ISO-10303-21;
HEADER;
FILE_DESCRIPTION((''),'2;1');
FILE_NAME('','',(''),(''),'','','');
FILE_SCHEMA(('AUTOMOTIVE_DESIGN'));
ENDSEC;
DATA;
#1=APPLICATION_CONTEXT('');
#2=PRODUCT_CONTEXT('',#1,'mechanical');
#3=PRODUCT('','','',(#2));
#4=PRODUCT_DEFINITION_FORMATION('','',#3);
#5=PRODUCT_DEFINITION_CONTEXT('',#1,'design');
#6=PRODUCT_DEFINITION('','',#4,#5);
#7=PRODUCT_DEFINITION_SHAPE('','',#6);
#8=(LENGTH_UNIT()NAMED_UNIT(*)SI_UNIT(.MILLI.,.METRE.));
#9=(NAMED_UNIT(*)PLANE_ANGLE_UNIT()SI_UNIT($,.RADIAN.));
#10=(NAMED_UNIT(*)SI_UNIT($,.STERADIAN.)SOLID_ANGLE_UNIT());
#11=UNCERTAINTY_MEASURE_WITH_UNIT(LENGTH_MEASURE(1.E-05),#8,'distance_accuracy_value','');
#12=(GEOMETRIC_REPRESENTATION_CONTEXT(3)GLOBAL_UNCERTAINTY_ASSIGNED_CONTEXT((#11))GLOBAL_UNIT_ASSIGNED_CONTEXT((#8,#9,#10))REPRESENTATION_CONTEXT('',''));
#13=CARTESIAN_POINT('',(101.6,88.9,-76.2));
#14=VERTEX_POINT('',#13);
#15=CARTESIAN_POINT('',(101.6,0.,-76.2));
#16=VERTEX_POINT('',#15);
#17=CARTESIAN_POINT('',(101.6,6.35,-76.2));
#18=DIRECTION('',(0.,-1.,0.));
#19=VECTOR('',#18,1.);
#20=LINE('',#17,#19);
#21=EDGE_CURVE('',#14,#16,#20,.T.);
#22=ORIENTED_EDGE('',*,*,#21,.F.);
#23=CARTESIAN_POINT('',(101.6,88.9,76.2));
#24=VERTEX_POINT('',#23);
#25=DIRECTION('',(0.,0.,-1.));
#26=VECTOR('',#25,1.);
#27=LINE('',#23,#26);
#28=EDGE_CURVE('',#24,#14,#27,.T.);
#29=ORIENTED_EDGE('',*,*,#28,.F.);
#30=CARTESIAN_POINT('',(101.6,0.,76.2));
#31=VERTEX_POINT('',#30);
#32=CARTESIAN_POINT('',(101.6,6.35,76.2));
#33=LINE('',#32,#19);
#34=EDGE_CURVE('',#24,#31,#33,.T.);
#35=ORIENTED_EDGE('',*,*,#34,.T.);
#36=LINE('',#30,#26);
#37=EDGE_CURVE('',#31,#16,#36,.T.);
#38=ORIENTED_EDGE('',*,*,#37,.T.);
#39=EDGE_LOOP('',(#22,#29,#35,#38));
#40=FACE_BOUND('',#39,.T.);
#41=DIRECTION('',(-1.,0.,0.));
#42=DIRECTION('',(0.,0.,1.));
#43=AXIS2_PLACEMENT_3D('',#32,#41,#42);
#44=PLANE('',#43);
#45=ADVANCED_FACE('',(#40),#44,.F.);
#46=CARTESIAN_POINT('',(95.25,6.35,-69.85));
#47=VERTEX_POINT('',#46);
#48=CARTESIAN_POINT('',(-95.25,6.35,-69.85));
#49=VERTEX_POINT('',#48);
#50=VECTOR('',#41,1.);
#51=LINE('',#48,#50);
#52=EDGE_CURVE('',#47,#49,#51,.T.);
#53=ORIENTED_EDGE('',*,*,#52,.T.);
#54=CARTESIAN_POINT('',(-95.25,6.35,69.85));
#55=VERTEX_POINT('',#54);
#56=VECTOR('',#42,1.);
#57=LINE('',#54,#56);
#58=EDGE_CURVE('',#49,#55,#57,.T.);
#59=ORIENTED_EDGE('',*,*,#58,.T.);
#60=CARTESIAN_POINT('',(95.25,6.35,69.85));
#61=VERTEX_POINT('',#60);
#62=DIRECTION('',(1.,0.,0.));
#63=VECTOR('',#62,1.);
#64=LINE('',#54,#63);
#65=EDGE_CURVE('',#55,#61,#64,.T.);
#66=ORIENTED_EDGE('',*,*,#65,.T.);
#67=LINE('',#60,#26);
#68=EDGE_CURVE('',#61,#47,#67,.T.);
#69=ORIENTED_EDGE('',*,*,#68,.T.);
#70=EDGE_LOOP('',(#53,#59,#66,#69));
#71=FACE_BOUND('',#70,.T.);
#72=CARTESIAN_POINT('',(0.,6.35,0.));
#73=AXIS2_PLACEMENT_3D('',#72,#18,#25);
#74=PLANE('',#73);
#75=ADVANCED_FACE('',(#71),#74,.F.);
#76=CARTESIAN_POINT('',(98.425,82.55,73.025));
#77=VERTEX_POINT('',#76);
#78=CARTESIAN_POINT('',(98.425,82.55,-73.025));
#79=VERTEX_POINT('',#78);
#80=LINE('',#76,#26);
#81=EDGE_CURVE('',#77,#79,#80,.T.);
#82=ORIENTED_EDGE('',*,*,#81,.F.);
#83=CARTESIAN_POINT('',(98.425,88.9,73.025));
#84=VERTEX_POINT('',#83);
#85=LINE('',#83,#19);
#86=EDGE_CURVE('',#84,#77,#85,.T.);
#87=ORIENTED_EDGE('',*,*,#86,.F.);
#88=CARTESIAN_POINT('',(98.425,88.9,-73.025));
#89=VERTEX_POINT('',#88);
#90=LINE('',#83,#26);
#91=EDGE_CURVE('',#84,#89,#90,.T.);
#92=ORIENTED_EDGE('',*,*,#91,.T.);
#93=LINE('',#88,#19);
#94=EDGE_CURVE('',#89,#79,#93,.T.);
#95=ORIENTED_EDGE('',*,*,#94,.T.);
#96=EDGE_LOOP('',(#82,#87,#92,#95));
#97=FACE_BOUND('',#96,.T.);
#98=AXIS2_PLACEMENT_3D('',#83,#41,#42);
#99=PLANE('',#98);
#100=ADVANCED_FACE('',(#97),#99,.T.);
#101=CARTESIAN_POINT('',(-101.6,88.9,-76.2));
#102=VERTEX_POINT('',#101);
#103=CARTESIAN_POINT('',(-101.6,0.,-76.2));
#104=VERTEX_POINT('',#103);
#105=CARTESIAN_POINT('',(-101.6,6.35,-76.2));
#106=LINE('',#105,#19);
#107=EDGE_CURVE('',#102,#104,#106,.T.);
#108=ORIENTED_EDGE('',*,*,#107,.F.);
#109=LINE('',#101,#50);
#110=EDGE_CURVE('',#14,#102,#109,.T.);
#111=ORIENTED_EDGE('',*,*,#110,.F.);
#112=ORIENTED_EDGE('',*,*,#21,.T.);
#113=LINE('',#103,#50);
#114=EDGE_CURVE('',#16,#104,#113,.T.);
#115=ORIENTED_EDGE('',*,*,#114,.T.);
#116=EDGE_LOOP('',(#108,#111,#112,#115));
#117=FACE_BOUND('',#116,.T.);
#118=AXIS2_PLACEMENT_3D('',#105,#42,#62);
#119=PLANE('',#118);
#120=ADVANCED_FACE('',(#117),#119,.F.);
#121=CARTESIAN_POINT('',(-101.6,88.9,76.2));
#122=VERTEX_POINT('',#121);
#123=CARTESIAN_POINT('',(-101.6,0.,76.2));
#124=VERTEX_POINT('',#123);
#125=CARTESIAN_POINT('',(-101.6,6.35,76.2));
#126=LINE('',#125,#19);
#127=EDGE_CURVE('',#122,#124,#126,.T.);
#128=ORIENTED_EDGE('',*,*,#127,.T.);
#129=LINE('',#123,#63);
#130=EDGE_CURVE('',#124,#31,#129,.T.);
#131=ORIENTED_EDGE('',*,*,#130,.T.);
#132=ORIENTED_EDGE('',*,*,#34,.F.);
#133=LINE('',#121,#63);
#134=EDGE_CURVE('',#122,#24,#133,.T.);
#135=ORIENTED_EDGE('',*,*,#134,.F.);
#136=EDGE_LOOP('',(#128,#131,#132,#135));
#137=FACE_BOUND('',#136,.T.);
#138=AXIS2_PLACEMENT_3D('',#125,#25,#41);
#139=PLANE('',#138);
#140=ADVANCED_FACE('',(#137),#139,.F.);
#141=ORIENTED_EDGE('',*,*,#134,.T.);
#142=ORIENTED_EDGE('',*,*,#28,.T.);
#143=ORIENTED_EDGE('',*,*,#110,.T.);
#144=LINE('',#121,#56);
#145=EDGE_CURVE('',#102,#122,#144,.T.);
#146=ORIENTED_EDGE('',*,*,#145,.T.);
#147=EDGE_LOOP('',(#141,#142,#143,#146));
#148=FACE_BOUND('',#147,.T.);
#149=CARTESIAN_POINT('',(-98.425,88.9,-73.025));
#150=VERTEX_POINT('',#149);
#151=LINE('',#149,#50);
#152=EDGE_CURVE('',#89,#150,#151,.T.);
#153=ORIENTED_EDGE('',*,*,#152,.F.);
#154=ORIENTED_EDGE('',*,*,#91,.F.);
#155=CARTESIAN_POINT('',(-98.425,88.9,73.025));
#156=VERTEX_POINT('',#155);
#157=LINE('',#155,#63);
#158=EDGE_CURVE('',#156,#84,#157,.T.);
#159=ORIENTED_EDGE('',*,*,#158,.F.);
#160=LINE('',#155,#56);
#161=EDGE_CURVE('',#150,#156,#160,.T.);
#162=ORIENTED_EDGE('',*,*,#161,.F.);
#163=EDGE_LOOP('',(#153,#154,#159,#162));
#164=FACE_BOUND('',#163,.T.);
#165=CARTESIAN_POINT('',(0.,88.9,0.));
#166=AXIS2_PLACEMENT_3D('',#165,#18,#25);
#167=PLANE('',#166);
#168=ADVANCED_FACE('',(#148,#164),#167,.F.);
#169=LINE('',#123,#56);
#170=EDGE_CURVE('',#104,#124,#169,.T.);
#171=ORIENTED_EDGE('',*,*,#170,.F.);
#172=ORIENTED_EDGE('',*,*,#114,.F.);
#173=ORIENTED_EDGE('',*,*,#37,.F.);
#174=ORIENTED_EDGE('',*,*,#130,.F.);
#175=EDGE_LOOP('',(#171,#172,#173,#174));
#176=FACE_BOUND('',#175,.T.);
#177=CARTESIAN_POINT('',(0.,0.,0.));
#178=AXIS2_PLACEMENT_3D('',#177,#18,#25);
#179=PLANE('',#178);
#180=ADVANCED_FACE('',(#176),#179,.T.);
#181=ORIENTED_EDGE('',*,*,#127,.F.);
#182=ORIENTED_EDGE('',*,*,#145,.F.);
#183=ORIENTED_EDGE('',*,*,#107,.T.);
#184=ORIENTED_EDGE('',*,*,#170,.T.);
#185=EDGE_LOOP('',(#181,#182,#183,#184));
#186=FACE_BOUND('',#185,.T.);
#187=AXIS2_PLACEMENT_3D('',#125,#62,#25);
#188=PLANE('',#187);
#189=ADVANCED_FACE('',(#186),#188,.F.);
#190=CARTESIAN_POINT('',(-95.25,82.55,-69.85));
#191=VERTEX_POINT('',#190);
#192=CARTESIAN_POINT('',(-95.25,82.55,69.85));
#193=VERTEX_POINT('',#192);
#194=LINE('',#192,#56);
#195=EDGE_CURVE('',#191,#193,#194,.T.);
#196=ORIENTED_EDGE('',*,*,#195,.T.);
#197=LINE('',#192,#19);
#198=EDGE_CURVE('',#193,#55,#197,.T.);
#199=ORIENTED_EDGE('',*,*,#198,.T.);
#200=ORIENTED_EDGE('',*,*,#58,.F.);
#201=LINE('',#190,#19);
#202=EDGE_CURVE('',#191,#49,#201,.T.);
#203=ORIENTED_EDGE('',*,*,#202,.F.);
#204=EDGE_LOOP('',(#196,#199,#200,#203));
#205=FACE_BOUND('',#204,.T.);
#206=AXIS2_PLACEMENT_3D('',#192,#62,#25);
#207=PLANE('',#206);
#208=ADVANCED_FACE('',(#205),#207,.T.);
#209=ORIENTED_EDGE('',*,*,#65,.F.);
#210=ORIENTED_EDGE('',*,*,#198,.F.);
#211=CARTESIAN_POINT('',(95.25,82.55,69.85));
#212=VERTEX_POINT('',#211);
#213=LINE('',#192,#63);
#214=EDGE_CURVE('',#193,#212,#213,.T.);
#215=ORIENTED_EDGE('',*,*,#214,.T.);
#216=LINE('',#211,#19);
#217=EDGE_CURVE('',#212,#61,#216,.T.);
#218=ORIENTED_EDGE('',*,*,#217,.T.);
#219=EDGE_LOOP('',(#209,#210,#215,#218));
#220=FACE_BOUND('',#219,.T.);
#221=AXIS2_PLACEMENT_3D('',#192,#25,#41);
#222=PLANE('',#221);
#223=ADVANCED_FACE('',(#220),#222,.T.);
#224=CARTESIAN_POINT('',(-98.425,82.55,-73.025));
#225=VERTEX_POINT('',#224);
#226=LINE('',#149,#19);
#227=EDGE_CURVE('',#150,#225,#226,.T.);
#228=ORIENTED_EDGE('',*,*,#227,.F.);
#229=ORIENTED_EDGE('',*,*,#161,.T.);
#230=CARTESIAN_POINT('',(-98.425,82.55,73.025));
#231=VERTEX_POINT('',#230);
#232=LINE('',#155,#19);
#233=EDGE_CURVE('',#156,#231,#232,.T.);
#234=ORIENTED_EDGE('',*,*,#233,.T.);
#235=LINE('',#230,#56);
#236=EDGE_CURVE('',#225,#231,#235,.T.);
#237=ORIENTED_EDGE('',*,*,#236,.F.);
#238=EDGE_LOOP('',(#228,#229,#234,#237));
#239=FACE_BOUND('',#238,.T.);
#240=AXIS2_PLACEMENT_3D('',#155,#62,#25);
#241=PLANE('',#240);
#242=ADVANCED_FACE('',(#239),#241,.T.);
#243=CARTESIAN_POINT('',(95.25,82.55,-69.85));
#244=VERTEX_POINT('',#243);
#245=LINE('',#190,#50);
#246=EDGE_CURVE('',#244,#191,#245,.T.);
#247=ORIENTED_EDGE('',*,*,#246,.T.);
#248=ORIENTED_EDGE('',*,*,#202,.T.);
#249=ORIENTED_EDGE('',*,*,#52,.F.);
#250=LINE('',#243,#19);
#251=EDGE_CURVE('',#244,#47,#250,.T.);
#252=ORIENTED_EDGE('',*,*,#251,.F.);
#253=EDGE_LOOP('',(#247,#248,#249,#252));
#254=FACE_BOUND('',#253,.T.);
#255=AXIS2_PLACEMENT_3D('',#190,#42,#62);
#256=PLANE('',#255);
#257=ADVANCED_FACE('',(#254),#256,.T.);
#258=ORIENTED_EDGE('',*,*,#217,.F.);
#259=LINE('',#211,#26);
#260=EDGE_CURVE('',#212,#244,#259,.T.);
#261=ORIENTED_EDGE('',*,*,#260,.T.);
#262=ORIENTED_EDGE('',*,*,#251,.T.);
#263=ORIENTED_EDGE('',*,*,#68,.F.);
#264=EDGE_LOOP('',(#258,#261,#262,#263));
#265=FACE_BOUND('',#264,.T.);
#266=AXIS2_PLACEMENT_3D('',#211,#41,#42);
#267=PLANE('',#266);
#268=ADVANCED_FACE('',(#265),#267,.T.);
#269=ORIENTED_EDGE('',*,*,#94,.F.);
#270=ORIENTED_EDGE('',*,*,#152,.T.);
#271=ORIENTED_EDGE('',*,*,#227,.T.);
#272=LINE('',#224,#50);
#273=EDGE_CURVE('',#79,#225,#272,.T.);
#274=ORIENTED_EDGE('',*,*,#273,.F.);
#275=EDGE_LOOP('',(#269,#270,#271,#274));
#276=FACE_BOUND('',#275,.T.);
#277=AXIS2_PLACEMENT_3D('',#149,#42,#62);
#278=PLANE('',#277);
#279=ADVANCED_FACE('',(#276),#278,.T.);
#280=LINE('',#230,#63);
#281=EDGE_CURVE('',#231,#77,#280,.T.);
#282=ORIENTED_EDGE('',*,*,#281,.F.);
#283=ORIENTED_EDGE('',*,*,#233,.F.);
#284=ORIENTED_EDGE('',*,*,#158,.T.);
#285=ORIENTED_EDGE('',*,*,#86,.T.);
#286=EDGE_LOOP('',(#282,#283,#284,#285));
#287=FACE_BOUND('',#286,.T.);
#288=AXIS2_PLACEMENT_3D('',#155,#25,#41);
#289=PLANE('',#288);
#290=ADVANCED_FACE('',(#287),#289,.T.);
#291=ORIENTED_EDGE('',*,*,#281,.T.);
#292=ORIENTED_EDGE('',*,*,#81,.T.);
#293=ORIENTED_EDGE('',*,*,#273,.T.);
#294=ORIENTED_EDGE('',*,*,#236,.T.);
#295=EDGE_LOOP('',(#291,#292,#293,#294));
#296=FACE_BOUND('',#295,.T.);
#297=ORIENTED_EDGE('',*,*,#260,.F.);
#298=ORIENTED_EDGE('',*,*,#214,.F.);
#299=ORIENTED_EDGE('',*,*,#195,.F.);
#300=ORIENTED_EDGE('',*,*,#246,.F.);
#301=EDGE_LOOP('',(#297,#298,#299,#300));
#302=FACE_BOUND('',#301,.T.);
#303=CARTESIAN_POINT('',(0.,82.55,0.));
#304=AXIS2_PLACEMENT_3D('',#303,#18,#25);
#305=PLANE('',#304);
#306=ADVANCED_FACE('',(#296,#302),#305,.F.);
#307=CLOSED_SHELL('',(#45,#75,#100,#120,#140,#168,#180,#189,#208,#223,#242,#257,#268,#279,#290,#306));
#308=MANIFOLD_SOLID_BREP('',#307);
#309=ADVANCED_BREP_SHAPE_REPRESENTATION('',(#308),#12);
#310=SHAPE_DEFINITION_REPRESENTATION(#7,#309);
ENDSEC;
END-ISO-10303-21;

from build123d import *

# Parameters (mm, degrees)
SKETCH1_W           = 203.2
SKETCH1_H           = 152.4
BOSS_EXTRUDE1_DEPTH = 6.35
SKETCH2_W           = 203.2
SKETCH2_H           = 152.4
SKETCH2_W_2         = 190.5
SKETCH2_H_2         = 139.7
BOSS_EXTRUDE2_DEPTH = 76.2
SKETCH3_W           = 203.2
SKETCH3_H           = 152.4
SKETCH3_W_2         = 196.85
SKETCH3_H_2         = 146.05
BOSS_EXTRUDE3_DEPTH = 6.35


with BuildPart() as part:
    # Sketch1 → Boss-Extrude1 (new body)
    with BuildSketch(Plane(origin=(0, 0, 0), x_dir=(1, 0, 0), z_dir=(0, 1, 0))):
        Rectangle(SKETCH1_W, SKETCH1_H)
    extrude(amount=BOSS_EXTRUDE1_DEPTH)

    # Sketch2 → Boss-Extrude2 (add)
    with BuildSketch(Plane(origin=(0, 6.35, 0), x_dir=(1, 0, 0), z_dir=(0, 1, 0))):
        Rectangle(SKETCH2_W, SKETCH2_H)
        Rectangle(SKETCH2_W_2, SKETCH2_H_2, mode=Mode.SUBTRACT)
    extrude(amount=BOSS_EXTRUDE2_DEPTH)

    # Sketch3 → Boss-Extrude3 (add)
    with BuildSketch(Plane(origin=(0, 82.55, 0), x_dir=(1, 0, 0), z_dir=(0, 1, 0))):
        Rectangle(SKETCH3_W, SKETCH3_H)
        Rectangle(SKETCH3_W_2, SKETCH3_H_2, mode=Mode.SUBTRACT)
    extrude(amount=BOSS_EXTRUDE3_DEPTH)


solid = part.part
